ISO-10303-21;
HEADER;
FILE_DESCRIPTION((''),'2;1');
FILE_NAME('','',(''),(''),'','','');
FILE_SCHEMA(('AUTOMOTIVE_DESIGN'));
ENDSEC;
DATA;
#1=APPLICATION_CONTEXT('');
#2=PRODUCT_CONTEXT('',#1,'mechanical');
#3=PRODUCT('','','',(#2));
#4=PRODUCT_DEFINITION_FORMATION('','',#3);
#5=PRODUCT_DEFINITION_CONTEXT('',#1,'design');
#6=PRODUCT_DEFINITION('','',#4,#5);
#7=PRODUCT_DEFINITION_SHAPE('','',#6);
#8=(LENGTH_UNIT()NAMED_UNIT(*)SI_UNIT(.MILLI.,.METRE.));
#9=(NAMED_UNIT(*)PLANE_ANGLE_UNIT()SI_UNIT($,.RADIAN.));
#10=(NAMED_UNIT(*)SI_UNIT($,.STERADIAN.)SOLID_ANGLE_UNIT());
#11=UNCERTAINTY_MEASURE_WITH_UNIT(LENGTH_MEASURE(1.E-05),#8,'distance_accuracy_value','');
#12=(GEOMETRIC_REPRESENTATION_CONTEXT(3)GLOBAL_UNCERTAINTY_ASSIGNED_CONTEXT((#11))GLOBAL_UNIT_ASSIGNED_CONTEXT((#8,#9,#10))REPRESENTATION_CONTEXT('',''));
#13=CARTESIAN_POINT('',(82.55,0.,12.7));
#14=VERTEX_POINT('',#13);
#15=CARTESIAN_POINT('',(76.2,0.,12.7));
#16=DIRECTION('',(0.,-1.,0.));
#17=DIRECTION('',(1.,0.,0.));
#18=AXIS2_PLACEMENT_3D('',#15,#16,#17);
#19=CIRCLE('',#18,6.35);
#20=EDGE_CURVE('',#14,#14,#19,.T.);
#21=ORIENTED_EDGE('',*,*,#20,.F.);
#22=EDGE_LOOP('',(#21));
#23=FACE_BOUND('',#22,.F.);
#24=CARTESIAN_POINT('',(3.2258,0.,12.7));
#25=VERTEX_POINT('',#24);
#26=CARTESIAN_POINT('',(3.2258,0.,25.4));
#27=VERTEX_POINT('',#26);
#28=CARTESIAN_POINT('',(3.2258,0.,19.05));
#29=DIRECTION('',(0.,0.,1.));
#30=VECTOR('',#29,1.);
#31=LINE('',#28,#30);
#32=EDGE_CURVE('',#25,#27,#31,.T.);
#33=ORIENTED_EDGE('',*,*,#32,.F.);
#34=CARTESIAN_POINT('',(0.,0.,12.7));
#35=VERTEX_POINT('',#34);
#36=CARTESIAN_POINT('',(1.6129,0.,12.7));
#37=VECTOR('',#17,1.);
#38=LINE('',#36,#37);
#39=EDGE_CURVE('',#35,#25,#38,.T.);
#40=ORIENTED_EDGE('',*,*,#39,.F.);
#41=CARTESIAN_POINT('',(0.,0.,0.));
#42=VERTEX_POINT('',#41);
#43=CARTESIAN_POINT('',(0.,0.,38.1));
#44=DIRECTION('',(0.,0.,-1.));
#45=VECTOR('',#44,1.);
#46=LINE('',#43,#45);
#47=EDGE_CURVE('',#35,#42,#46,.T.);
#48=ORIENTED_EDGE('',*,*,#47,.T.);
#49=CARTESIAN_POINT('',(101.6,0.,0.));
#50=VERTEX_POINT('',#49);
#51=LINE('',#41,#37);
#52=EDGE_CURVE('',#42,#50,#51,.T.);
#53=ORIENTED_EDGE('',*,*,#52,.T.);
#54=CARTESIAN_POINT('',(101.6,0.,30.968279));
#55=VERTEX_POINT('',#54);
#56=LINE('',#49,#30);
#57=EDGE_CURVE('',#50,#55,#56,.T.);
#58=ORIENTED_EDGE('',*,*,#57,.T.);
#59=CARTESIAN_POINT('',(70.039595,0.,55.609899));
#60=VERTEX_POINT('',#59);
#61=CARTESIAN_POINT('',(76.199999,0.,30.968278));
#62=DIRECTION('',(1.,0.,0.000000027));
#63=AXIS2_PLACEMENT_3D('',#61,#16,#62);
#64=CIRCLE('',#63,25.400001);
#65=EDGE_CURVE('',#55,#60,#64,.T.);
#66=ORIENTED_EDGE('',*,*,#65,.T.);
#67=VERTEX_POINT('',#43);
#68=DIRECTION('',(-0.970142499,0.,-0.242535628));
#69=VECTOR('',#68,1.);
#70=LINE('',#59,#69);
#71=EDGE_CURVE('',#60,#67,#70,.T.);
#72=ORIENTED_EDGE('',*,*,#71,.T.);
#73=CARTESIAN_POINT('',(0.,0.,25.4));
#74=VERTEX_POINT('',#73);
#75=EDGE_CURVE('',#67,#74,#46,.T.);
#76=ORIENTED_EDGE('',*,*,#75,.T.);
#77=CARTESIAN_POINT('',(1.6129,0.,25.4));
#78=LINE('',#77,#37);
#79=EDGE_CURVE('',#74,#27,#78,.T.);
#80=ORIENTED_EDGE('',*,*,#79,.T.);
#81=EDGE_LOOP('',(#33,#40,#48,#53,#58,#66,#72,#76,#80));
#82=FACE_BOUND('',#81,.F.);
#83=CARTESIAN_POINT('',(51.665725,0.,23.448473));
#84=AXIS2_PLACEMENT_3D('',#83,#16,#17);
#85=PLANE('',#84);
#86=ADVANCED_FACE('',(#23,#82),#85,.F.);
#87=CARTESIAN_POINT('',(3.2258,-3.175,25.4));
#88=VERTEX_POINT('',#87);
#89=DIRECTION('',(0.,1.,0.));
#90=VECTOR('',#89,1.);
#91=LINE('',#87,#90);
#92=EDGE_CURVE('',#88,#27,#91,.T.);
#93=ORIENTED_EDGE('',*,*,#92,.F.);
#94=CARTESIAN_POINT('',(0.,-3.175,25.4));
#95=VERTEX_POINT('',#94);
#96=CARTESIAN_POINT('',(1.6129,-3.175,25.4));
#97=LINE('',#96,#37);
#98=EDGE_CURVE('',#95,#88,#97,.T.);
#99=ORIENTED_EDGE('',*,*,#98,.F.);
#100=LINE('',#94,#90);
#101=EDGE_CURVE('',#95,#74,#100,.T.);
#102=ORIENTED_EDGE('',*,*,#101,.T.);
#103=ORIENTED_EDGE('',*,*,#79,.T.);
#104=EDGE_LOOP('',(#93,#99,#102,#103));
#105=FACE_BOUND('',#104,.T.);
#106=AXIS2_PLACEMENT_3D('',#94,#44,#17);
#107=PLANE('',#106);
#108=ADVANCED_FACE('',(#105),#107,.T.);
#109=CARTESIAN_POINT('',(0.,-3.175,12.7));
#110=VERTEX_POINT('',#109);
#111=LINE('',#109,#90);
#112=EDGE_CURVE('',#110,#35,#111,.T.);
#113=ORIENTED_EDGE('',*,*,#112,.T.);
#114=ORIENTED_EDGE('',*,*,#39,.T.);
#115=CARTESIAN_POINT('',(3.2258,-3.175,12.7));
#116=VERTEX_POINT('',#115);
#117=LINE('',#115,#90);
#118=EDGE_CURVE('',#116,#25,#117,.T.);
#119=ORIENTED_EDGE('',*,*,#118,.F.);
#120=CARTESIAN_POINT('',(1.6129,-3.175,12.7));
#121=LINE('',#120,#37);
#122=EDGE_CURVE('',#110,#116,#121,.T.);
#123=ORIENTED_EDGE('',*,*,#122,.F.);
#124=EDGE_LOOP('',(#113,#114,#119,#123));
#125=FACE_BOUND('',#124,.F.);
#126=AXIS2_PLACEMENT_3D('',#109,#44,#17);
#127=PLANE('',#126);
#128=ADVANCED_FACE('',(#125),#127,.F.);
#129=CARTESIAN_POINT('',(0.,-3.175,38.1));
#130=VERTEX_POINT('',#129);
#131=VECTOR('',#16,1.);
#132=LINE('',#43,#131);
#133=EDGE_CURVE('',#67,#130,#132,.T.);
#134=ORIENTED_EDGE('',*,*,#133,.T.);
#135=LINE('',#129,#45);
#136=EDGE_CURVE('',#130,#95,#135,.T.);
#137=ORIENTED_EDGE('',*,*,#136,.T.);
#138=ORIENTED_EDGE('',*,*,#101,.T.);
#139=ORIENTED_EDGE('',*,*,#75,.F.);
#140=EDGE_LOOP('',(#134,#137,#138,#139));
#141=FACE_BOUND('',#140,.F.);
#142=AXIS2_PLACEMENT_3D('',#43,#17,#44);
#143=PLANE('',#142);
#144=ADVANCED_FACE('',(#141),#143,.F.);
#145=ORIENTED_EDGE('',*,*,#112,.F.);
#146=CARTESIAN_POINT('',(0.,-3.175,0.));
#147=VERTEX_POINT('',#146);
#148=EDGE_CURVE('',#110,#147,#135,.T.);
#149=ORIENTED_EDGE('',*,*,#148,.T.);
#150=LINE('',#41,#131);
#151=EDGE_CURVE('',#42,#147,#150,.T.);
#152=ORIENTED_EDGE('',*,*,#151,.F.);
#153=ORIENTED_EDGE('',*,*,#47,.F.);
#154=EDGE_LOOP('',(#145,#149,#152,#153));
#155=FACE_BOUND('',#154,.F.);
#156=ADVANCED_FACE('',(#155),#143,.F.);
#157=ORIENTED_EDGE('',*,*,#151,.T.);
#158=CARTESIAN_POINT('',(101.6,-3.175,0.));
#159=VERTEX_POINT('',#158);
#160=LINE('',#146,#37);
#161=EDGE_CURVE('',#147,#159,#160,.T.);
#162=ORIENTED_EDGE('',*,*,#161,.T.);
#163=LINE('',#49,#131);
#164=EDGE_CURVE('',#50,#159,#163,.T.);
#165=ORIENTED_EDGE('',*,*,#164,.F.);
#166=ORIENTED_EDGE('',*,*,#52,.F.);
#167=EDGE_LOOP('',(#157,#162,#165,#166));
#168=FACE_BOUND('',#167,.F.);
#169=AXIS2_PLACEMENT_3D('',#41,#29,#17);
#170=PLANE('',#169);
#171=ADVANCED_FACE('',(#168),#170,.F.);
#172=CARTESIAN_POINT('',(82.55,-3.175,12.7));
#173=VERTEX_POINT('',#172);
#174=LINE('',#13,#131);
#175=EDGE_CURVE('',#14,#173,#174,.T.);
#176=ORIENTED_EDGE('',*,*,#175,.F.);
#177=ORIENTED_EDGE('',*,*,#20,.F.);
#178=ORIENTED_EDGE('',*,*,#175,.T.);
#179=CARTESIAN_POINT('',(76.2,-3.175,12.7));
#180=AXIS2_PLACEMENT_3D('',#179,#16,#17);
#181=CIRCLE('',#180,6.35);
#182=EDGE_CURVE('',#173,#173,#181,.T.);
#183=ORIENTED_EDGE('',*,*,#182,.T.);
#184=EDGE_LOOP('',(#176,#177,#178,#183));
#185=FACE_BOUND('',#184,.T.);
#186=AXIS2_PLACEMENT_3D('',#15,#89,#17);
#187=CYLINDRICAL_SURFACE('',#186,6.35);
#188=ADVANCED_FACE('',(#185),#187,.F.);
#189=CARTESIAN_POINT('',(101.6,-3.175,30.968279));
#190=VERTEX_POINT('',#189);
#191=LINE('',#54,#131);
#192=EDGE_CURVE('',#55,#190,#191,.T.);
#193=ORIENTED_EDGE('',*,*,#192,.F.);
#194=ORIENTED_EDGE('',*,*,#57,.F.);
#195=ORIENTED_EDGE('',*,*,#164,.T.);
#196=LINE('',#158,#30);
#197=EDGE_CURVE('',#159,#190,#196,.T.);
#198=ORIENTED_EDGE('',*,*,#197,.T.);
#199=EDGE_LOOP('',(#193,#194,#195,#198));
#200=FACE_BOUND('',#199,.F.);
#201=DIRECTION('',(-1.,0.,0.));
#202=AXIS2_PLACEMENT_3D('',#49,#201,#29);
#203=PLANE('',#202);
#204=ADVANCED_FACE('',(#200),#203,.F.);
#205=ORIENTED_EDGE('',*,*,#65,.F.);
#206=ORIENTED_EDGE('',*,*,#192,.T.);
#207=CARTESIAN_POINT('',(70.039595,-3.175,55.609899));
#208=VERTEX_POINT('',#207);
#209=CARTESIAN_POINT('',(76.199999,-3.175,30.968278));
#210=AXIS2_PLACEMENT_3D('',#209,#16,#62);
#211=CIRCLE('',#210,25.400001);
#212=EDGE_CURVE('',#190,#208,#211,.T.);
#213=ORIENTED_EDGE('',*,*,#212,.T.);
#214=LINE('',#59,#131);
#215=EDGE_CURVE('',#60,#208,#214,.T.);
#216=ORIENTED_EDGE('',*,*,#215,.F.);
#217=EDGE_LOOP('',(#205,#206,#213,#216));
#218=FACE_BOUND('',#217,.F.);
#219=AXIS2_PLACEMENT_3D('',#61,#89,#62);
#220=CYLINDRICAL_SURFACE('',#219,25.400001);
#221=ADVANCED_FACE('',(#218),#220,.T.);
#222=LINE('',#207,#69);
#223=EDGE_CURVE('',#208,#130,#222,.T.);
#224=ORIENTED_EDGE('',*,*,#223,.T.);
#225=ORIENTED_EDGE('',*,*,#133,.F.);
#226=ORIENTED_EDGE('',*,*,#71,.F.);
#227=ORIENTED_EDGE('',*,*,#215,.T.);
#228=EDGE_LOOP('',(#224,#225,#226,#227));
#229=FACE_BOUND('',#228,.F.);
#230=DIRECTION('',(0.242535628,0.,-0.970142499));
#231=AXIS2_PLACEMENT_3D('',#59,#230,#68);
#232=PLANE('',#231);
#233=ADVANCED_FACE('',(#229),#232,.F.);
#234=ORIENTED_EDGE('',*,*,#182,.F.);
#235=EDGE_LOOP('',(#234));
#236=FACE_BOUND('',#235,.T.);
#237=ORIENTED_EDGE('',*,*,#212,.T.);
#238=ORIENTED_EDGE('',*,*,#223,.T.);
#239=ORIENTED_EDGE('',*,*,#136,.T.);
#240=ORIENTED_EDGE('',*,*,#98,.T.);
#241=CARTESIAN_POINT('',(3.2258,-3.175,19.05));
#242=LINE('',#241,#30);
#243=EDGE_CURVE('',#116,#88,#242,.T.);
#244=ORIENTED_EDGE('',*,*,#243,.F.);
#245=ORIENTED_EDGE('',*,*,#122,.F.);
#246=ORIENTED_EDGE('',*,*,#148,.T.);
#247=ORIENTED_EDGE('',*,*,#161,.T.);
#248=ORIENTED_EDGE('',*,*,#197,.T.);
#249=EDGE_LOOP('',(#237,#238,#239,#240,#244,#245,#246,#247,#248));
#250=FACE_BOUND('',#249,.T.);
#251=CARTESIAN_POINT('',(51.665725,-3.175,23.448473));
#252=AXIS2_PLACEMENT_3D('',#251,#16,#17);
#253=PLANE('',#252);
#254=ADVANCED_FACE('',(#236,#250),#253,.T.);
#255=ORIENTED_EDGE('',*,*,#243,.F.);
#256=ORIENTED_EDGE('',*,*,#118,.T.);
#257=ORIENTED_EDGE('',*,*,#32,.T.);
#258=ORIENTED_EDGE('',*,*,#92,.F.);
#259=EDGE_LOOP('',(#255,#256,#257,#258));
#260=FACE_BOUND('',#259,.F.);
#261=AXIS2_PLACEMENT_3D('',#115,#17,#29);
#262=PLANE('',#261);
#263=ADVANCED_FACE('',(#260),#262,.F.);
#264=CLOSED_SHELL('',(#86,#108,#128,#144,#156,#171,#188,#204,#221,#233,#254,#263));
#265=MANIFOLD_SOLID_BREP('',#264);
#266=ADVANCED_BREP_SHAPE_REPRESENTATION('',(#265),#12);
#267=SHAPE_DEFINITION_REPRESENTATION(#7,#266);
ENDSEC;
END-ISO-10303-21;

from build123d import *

# Parameters (mm, degrees)
F0_R     = 6.35
F1_DEPTH = 3.175
F2_W     = 3.2258
F2_H     = 12.7
F3_DEPTH = 3.175


with BuildPart() as f1:
    # F0 (on Front) → F1 (new body)
    with BuildSketch(Plane.XZ):
        with BuildLine():
            Line((0, 38.1), (0, 0))
            Line((0, 0), (101.6, 0))
            Line((101.6, 0), (101.6, 30.968279))
            ThreePointArc((101.6, 30.968279), (91.83147, 50.988697), (70.039595, 55.609899))
            Line((70.039595, 55.609899), (0, 38.1))
        make_face()
        with Locations((76.2, 12.7)):
            Circle(F0_R, mode=Mode.SUBTRACT)
    extrude(amount=F1_DEPTH)

    # F2 (on face) → F3 (cut)
    with BuildSketch(Plane.XZ.offset(3.175)):
        with Locations((1.6129, 19.05)):
            Rectangle(F2_W, F2_H)
    extrude(amount=-F3_DEPTH, mode=Mode.SUBTRACT)


solid = f1.part
